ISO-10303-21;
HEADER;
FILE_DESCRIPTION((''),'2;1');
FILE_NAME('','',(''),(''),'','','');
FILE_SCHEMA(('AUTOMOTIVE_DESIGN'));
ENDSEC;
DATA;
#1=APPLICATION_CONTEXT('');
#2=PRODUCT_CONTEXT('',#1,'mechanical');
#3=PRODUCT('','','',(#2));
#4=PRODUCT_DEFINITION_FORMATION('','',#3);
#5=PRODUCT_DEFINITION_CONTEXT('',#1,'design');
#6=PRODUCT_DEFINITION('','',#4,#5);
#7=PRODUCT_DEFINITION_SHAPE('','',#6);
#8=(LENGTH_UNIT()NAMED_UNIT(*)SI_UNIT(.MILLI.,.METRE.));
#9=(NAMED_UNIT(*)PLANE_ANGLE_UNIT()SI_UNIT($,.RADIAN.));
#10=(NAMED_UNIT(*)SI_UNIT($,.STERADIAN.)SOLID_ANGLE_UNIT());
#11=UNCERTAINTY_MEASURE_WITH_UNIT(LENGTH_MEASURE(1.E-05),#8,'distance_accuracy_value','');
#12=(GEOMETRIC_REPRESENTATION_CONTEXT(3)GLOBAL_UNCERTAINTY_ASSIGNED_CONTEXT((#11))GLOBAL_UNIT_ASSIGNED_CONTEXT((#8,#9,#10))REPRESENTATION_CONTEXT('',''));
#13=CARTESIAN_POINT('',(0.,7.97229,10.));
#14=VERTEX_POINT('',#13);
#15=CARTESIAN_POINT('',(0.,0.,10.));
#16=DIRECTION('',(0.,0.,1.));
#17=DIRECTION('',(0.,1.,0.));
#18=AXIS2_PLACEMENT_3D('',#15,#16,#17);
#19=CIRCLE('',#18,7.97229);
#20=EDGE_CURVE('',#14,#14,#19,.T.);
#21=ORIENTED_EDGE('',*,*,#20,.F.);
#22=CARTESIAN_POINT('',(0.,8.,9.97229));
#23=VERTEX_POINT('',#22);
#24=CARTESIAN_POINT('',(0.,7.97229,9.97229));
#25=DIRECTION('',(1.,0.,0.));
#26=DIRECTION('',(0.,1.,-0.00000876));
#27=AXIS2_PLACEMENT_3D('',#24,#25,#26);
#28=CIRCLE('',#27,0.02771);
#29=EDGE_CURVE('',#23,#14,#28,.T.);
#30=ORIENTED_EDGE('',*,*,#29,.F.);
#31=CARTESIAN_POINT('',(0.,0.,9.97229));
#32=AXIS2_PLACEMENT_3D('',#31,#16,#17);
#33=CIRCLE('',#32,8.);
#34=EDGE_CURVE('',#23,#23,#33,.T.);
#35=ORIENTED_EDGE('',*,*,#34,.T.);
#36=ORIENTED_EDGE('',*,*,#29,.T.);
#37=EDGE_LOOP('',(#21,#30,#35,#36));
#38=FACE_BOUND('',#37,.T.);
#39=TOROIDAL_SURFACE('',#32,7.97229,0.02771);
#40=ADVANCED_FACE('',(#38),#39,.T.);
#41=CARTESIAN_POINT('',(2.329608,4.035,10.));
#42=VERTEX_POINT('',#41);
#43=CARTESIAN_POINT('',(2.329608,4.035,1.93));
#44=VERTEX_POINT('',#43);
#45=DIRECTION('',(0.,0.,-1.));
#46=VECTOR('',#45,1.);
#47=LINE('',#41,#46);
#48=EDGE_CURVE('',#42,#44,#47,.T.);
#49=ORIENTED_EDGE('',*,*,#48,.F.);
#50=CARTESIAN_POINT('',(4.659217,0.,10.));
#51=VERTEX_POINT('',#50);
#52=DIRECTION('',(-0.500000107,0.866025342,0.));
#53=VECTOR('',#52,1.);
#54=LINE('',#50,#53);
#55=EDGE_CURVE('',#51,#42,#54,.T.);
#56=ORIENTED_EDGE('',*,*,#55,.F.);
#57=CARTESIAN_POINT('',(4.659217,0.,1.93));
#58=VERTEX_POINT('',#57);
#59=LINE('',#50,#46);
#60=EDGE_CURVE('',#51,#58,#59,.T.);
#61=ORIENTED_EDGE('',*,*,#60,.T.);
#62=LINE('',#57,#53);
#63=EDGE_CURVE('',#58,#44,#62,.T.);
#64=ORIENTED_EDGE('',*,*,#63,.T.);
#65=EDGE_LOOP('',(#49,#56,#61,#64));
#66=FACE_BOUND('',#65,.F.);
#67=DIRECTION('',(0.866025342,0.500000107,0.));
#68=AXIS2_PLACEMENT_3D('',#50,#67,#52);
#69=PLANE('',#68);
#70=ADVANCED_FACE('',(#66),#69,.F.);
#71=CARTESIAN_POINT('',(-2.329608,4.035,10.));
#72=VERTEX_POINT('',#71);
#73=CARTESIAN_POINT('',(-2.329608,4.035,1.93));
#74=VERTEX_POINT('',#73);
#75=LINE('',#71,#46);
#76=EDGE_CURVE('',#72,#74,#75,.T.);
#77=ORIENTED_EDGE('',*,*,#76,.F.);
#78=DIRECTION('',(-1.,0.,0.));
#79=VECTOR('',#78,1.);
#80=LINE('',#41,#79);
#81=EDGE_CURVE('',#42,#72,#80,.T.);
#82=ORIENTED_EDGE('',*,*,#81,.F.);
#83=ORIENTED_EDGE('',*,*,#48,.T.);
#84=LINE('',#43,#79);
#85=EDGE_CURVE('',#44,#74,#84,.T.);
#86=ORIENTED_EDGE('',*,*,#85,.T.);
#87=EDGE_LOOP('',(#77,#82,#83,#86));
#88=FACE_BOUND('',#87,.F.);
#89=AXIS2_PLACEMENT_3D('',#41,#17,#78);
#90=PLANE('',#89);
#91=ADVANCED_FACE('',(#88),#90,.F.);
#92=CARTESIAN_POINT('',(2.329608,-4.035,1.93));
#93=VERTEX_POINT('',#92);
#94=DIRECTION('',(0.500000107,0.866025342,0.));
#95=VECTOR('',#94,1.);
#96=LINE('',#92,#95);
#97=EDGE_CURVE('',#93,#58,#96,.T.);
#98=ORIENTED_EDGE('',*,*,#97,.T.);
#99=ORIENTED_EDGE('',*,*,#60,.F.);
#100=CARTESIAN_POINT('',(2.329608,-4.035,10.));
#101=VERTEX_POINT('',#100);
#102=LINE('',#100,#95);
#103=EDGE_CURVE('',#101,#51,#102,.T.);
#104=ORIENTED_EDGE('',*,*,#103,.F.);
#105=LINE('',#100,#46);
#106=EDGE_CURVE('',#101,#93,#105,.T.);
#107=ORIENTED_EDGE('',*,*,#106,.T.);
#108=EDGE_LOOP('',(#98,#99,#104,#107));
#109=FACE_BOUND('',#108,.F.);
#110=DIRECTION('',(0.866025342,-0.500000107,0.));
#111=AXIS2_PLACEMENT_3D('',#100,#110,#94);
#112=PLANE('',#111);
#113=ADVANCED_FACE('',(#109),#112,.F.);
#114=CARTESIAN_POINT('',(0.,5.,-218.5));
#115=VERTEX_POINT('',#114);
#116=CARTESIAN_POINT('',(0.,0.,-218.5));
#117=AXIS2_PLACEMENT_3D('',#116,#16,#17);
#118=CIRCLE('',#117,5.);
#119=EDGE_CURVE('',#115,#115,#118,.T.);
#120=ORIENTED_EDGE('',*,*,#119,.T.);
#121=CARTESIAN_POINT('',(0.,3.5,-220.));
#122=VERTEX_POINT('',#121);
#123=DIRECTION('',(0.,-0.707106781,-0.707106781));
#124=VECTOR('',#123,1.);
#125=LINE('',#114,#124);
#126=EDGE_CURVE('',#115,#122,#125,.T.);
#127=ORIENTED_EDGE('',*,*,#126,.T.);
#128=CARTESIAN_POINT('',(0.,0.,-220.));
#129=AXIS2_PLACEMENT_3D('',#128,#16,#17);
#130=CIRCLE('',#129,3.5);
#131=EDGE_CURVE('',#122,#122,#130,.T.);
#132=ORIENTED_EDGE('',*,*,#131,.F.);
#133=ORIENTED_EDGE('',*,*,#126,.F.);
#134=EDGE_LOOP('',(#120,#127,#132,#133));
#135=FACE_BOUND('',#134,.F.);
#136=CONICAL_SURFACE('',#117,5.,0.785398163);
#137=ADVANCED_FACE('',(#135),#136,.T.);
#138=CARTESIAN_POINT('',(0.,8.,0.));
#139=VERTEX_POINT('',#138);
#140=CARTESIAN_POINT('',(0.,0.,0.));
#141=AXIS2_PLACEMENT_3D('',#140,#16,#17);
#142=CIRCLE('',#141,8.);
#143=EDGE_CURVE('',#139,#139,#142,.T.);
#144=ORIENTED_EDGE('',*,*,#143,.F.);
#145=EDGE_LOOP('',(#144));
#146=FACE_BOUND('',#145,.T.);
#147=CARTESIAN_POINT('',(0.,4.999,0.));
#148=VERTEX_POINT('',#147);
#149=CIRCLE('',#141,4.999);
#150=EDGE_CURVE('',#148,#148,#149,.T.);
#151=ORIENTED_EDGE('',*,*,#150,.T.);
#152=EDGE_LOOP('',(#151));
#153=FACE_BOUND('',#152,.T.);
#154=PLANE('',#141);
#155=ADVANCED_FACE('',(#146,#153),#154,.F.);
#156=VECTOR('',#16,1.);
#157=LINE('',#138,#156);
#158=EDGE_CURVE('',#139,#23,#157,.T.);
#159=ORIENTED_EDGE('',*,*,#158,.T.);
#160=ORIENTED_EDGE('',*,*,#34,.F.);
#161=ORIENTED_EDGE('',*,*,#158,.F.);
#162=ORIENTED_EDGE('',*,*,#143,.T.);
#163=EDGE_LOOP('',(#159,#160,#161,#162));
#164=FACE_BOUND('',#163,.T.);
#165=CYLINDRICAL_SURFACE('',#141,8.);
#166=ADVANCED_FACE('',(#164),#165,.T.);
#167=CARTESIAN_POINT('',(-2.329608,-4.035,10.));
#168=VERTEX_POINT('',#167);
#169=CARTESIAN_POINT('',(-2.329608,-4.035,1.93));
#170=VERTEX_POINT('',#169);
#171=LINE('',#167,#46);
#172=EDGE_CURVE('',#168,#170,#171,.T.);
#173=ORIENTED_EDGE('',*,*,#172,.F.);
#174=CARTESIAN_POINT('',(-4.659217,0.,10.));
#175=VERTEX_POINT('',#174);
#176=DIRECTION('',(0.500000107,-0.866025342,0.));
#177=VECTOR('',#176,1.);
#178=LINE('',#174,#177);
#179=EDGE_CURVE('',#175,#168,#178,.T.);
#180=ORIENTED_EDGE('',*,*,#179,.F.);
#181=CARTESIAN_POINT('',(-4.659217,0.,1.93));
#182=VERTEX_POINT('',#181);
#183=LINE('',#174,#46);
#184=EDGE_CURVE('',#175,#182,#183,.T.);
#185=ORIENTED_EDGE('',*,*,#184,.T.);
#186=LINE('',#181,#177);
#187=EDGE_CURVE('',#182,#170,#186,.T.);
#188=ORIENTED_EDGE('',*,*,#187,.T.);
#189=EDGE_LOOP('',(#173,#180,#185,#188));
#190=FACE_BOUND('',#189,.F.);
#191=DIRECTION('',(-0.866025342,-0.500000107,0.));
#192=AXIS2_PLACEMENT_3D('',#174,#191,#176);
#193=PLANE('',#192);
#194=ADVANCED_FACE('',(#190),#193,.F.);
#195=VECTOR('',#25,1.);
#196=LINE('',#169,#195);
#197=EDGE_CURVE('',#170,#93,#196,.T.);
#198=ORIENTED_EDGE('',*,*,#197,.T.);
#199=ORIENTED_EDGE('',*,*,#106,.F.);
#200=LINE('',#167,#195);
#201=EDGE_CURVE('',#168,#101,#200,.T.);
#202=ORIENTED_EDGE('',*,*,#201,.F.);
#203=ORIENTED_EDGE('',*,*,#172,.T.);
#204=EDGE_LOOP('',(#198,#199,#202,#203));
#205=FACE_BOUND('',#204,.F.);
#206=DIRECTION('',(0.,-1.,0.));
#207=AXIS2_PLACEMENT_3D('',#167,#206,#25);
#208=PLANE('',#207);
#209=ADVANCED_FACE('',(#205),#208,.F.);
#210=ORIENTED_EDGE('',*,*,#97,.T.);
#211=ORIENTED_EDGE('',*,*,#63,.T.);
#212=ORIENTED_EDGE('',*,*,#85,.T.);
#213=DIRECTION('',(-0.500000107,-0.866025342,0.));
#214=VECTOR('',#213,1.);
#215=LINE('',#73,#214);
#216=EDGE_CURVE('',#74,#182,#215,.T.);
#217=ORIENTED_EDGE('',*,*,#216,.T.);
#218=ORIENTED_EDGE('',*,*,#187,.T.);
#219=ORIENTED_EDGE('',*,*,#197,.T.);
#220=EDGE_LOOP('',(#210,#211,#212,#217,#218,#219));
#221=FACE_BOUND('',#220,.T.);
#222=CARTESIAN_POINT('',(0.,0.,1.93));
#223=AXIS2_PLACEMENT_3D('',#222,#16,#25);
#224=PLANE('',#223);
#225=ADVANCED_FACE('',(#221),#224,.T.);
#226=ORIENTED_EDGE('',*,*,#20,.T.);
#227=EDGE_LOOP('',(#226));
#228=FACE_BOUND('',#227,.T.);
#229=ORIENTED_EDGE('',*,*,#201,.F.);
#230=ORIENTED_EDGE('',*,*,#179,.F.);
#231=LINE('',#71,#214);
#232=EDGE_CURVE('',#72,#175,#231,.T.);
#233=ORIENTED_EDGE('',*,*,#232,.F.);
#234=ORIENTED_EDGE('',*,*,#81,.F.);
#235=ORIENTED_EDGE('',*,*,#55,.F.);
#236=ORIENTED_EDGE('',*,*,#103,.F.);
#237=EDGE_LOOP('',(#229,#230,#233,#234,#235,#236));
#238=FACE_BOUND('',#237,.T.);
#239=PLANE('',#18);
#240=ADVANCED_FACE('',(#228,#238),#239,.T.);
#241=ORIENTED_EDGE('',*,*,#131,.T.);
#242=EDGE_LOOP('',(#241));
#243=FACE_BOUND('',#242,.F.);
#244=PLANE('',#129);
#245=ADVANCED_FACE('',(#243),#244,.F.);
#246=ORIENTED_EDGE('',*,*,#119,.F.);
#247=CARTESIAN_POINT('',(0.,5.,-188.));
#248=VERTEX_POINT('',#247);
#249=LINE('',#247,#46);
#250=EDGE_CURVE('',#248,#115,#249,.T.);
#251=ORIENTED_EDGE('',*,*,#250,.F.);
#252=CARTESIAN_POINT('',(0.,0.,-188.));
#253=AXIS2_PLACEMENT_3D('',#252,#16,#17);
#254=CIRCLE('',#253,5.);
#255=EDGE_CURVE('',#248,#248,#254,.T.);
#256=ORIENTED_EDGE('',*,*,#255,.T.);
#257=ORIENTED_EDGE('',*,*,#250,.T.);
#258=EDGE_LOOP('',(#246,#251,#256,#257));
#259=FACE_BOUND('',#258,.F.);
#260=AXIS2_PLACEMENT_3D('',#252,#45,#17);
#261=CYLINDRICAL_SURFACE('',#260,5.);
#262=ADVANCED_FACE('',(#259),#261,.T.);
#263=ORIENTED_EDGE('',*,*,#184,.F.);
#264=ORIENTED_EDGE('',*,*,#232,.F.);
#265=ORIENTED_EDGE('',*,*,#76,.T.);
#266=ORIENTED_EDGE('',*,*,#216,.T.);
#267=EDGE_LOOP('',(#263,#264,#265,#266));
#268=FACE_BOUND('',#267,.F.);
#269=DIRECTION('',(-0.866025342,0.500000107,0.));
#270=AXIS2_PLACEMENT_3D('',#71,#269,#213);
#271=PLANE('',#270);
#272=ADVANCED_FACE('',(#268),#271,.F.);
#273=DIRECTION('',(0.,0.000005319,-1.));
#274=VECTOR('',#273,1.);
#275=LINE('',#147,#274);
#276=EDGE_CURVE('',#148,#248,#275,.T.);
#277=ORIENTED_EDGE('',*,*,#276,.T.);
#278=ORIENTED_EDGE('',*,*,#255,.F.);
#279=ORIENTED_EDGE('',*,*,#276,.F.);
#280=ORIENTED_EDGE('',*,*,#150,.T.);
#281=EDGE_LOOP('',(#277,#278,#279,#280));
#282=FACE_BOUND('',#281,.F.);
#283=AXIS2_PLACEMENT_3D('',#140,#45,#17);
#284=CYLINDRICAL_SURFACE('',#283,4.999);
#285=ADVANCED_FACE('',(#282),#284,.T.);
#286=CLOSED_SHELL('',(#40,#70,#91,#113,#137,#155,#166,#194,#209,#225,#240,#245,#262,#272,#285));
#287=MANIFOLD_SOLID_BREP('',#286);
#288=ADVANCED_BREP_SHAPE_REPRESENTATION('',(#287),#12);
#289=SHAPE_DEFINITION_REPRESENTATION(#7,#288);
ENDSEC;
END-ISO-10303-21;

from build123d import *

# Parameters (mm, degrees)
POCKET_DEPTH = 8.07


with BuildPart() as part:
    # Sketch → Revolve (revolve)
    with BuildSketch(Plane.YZ):
        with BuildLine():
            Line((4.999, 0), (8, 0))
            Line((8, 0), (8, 9.97229))
            ThreePointArc((8, 9.97229), (7.991884, 9.991884), (7.97229, 10))
            Line((7.97229, 10), (0, 10))
            Line((0, -220), (0, 10))
            Line((3.5, -220), (0, -220))
            Line((5, -218.5), (3.5, -220))
            Line((5, -188), (5, -218.5))
            Line((4.999, 0), (5, -188))
        make_face()
    revolve(axis=Axis((0, 0, 0), (0, 0, 1)))

    # Sketch001 → Pocket (cut)
    with BuildSketch(Plane.XY.offset(10)):
        Polygon((4.659217, 0), (2.329608, 4.035), (-2.329608, 4.035), (-4.659217, 0), (-2.329608, -4.035), (2.329608, -4.035), align=None)
    extrude(amount=-POCKET_DEPTH, mode=Mode.SUBTRACT)


solid = part.part
